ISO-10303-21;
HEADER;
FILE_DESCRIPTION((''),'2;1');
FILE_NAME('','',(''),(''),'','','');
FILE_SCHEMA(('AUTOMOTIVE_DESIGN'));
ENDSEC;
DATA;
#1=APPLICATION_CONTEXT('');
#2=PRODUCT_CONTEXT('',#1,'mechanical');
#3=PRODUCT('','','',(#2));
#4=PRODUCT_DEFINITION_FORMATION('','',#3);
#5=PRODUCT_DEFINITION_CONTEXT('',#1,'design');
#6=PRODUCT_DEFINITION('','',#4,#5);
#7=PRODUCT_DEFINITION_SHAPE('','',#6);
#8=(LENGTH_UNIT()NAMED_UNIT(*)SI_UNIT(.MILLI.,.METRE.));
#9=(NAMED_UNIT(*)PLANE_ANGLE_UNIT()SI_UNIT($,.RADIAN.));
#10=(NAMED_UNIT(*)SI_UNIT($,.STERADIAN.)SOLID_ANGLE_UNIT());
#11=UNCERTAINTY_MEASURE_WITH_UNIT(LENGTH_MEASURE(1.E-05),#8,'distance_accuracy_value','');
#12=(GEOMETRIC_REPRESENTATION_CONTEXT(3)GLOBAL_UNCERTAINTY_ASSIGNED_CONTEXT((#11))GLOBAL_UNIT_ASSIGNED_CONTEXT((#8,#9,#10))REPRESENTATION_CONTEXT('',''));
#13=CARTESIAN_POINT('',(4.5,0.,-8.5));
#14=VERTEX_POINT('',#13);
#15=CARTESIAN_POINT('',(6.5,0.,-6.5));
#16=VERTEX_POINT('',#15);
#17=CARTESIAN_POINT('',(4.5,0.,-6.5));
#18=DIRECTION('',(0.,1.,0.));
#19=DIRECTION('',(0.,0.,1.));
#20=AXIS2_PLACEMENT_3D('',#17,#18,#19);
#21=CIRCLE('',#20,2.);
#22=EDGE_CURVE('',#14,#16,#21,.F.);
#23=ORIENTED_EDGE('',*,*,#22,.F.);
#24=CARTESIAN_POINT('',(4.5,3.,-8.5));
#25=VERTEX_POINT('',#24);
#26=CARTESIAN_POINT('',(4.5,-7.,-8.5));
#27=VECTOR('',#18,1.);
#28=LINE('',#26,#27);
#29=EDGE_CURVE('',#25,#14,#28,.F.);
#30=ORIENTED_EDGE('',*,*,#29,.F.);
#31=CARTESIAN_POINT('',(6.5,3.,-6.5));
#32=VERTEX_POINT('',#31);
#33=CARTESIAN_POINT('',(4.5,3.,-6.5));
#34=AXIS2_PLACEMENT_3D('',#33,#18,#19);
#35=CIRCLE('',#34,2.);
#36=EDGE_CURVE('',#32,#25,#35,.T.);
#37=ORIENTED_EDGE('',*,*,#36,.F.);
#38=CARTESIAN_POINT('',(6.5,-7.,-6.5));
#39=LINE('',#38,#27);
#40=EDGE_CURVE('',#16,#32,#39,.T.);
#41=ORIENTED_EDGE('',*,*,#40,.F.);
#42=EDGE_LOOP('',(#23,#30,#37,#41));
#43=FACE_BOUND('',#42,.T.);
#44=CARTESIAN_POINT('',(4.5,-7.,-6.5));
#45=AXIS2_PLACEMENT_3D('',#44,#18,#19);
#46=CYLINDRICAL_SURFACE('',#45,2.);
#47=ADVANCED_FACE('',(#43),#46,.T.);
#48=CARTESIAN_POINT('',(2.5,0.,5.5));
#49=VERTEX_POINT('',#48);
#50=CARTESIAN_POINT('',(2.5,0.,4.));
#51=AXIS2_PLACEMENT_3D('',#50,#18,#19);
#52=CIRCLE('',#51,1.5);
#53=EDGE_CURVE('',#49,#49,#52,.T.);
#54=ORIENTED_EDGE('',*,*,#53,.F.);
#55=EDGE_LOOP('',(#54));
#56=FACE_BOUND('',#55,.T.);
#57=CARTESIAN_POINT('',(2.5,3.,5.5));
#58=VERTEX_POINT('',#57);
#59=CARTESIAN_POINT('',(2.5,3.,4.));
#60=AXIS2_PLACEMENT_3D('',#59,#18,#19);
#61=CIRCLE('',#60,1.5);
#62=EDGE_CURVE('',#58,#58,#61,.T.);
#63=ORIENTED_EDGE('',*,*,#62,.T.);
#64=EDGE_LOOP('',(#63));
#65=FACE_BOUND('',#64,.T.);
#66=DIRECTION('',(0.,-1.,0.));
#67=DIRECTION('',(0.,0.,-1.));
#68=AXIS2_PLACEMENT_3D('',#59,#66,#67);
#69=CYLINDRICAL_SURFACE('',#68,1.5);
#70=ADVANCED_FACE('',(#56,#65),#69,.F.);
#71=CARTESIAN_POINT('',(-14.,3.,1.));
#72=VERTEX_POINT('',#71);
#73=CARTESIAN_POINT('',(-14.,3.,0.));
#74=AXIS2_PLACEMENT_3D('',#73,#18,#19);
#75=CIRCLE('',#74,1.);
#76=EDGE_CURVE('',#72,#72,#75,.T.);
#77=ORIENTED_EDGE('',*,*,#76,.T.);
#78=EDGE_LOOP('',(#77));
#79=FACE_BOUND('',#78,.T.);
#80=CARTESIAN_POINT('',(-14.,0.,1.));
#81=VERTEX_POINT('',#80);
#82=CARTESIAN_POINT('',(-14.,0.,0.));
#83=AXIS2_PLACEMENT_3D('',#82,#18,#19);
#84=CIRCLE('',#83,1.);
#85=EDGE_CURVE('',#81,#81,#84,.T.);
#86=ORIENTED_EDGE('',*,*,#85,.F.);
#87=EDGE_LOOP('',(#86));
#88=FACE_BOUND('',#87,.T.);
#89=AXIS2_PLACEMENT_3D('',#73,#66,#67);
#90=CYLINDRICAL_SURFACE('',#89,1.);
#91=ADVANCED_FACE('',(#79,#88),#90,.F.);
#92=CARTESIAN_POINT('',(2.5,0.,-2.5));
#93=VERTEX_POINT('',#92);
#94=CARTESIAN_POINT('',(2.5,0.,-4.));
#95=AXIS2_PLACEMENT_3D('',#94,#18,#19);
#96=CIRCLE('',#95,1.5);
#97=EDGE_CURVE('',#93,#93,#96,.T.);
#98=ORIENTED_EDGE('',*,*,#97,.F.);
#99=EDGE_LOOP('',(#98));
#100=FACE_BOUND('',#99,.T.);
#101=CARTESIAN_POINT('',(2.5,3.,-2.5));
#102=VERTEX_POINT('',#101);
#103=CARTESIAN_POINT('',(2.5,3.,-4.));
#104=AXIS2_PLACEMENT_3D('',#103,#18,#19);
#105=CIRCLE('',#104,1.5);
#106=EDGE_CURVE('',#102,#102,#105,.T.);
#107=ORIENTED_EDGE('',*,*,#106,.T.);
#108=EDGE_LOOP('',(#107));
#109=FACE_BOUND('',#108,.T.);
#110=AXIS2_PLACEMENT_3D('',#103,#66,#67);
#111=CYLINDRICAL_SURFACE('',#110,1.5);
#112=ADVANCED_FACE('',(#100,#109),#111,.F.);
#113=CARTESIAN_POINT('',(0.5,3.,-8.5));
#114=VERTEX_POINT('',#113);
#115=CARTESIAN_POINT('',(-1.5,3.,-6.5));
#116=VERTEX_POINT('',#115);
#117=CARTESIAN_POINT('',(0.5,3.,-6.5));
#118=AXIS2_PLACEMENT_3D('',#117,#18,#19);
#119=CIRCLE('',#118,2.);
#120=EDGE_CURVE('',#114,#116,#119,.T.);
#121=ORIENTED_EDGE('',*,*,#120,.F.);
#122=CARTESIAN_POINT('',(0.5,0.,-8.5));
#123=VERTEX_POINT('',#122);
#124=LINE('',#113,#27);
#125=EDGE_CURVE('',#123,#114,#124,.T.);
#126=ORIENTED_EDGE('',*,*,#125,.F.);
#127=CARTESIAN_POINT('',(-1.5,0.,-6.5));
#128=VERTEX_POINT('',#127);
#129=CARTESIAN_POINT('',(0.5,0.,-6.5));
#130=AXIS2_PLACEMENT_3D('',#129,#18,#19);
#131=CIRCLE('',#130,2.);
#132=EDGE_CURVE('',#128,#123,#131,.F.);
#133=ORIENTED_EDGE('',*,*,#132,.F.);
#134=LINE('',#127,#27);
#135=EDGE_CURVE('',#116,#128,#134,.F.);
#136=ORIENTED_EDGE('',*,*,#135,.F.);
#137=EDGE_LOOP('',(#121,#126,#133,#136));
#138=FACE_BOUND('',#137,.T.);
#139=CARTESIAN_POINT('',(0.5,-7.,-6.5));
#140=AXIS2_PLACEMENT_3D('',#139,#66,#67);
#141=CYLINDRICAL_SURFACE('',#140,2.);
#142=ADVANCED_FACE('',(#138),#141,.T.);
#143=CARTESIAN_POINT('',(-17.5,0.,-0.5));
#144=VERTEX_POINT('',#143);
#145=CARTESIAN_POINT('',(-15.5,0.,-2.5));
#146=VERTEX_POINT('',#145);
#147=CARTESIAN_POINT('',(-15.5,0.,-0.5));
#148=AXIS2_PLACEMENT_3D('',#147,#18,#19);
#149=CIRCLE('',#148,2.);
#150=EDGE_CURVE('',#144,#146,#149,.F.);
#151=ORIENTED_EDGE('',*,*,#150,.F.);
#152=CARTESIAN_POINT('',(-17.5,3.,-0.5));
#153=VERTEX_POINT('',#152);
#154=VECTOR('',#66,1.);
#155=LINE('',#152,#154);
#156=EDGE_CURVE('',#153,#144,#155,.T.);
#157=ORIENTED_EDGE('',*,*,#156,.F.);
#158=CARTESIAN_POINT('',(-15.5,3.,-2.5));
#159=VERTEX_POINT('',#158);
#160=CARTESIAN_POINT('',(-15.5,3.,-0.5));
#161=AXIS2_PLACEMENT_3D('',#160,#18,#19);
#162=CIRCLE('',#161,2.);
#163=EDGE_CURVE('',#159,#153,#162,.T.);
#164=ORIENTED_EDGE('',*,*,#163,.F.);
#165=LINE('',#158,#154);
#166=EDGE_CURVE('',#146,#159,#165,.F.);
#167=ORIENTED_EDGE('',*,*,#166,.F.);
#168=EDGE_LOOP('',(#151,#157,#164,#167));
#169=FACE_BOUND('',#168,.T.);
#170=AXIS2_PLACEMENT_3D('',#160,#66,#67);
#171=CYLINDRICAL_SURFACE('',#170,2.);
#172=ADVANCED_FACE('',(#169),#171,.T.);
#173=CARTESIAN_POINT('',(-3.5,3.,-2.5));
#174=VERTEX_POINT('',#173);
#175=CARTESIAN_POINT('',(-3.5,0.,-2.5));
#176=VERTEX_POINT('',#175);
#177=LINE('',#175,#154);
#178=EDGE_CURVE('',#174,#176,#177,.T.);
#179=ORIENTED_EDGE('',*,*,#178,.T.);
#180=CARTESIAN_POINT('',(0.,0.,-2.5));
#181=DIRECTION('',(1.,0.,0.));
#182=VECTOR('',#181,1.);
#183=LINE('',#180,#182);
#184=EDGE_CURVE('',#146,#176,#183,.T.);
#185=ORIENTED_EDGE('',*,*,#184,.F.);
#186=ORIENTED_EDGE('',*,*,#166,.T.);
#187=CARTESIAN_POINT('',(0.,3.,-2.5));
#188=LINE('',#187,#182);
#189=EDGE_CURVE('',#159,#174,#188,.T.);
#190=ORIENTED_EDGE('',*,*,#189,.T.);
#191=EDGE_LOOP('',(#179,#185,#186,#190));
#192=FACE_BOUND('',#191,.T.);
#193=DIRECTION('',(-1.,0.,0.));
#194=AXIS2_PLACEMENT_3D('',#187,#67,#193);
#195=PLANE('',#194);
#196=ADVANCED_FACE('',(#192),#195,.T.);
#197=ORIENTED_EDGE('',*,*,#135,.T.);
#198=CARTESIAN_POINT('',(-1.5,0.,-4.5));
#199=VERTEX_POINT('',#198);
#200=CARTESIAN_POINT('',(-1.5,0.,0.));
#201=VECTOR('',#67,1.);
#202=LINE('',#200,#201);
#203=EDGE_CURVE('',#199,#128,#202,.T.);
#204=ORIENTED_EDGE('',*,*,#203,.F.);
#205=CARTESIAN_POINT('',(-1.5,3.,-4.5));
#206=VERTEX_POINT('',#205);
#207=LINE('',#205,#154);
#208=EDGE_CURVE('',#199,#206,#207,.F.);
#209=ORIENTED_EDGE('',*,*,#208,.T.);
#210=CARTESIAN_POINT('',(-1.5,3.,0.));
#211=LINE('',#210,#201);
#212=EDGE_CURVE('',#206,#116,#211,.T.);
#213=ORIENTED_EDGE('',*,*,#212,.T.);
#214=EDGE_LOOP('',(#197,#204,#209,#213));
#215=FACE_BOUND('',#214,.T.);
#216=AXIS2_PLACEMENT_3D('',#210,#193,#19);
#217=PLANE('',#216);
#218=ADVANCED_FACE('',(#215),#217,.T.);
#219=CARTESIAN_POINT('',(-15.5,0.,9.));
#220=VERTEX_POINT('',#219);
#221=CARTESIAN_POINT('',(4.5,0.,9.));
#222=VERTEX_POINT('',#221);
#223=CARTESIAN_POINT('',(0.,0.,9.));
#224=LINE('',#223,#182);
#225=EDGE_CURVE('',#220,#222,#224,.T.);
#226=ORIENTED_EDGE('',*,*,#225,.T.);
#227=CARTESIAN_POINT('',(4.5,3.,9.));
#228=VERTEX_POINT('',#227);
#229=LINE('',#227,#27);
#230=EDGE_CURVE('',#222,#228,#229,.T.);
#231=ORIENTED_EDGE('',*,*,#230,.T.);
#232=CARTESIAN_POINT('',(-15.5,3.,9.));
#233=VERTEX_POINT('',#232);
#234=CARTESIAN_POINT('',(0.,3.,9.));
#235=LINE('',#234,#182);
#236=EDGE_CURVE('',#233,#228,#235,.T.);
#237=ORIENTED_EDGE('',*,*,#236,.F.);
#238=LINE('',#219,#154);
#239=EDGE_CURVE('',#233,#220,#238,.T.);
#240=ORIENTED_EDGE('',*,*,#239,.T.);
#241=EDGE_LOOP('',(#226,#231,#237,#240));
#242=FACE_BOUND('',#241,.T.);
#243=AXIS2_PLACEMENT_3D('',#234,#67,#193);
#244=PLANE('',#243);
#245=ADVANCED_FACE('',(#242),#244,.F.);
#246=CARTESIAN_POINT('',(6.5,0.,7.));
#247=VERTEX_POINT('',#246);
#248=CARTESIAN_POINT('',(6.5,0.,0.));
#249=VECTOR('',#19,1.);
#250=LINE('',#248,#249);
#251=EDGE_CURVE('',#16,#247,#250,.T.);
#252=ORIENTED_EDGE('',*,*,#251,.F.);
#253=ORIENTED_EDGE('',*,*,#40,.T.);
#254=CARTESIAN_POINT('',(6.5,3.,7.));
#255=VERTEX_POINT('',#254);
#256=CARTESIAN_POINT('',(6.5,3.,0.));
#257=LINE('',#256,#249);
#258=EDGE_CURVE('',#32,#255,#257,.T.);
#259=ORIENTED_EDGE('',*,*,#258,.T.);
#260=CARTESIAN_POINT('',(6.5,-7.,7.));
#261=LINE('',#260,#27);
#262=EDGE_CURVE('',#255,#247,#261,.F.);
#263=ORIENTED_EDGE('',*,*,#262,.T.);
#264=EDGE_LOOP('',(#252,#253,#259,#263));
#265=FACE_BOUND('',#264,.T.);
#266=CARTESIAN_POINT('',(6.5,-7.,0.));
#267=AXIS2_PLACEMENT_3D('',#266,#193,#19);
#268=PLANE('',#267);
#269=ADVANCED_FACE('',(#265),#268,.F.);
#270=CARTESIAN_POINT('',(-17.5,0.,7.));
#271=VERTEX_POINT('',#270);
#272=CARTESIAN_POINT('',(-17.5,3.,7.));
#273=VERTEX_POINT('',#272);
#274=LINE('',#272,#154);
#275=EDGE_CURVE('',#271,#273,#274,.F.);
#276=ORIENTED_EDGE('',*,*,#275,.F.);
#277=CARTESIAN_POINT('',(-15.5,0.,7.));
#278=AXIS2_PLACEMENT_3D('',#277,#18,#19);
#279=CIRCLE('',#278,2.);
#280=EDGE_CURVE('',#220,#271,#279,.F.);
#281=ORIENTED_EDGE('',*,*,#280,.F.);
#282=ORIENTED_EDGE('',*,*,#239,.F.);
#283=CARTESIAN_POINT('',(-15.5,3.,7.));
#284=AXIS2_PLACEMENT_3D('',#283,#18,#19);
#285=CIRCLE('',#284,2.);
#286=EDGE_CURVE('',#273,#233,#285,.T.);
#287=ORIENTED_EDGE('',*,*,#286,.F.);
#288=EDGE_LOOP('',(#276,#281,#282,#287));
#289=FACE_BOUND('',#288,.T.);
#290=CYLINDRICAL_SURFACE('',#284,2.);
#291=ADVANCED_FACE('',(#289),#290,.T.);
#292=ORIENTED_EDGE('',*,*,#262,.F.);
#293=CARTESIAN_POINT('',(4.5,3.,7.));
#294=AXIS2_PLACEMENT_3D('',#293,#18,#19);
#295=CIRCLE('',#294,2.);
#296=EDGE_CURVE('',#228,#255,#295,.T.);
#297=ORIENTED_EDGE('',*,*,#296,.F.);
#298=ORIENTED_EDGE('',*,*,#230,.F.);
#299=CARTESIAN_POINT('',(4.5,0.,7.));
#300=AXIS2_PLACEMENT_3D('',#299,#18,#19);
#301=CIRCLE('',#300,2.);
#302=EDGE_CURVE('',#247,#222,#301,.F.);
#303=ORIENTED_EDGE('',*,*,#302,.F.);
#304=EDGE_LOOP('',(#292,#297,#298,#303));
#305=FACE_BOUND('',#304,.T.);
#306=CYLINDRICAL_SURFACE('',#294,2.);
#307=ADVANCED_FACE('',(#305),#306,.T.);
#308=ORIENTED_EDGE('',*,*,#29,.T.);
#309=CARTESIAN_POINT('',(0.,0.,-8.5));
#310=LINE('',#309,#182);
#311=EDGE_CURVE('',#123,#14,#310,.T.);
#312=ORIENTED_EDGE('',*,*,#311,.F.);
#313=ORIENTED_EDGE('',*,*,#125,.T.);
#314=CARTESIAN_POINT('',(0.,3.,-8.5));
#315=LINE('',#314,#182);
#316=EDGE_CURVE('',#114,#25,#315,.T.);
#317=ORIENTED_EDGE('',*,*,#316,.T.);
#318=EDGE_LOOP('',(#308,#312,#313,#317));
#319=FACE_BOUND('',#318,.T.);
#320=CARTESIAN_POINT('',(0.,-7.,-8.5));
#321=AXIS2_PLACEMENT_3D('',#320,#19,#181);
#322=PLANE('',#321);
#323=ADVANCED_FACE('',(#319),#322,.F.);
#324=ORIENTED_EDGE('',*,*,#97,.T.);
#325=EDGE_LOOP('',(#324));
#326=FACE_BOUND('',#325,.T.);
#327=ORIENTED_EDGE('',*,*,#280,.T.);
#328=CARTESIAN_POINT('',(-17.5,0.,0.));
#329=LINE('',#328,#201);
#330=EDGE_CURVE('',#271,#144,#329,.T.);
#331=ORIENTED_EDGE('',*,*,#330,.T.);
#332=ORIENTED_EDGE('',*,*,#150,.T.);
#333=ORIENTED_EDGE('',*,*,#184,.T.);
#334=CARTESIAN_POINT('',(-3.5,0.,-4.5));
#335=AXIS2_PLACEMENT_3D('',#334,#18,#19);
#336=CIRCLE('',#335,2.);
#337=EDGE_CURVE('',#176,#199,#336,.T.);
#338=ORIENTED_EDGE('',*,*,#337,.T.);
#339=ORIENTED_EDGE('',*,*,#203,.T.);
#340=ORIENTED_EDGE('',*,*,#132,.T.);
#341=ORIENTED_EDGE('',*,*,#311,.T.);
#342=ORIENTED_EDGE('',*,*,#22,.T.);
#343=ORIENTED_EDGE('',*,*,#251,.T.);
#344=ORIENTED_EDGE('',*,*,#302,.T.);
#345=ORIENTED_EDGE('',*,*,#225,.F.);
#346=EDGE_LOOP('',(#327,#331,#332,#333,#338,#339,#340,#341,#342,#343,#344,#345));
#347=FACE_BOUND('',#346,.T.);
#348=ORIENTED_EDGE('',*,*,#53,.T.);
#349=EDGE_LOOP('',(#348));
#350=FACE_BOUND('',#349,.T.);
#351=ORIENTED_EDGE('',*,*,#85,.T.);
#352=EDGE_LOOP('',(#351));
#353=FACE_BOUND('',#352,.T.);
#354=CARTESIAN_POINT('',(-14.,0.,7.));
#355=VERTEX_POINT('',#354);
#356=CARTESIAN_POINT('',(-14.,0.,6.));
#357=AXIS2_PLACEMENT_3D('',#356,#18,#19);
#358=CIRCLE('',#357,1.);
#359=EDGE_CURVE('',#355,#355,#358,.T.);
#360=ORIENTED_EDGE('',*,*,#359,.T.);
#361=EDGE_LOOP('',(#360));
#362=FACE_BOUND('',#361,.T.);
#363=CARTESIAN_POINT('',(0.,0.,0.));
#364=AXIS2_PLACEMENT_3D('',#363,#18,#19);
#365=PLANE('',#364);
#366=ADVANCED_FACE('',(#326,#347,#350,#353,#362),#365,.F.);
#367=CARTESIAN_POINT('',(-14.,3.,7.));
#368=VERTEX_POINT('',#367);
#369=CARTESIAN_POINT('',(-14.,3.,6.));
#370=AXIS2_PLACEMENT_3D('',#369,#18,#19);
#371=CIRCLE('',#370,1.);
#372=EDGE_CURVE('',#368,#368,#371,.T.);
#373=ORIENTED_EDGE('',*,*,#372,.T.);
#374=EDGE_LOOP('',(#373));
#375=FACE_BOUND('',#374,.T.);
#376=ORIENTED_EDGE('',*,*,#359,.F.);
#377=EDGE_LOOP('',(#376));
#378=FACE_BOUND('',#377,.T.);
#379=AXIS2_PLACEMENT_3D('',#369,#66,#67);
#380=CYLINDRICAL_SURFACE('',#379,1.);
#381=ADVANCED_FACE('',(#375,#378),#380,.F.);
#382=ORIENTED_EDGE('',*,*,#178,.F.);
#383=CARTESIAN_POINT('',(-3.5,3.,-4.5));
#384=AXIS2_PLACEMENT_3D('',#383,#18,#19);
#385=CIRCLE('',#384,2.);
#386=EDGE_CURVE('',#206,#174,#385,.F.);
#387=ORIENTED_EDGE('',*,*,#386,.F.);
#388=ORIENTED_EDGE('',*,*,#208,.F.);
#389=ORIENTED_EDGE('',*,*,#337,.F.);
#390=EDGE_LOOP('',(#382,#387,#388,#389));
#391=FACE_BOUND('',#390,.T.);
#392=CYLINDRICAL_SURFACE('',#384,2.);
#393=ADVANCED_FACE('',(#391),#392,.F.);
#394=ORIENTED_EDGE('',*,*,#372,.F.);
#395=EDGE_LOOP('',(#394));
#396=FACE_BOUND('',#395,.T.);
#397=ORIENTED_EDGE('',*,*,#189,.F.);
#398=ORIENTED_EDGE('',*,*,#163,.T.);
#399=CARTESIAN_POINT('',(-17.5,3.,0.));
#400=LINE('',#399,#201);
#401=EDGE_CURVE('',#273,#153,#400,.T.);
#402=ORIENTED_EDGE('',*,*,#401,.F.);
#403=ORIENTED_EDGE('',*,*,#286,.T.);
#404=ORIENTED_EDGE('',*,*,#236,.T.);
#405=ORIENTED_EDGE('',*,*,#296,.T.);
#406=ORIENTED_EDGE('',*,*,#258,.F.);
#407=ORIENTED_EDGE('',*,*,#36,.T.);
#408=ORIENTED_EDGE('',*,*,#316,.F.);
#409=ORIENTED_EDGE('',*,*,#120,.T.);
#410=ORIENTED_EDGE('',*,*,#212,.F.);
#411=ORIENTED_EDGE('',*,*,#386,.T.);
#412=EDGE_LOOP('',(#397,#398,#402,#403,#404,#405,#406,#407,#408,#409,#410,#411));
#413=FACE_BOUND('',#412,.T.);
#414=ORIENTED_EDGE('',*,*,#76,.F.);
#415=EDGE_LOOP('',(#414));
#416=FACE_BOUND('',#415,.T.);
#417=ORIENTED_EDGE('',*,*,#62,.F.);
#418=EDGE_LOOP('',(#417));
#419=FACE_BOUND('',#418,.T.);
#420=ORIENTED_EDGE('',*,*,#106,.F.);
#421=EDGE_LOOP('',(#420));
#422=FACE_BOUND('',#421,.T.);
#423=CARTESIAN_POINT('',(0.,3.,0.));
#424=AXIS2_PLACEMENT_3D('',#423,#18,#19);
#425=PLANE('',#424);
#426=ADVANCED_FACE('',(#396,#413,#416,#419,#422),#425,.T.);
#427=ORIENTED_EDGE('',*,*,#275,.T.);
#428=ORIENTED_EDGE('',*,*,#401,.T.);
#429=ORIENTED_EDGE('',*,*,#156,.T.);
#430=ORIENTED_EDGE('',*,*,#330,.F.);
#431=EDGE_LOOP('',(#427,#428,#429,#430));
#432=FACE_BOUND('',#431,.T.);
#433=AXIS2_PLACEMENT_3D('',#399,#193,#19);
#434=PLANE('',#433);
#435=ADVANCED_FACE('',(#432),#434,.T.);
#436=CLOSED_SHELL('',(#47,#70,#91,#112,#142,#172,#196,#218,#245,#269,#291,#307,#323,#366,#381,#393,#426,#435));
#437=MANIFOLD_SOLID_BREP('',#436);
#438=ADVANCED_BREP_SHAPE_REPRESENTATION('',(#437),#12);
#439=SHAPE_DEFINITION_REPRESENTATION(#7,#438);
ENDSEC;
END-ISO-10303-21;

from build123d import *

# Parameters (mm, degrees)
SKETCH_1_R          = 1
SKETCH_1_R_2        = 1.5
EXTRUDE_1_DEPTH     = 3
SKETCH_2_W          = 8
SKETCH_2_H          = 0.5
CUT_EXTRUDE_1_DEPTH = 10
FILLET_1_R          = 2


with BuildPart() as part:
    # 草图1 → 凸台-拉伸1 (new body)
    with BuildSketch(Plane(origin=(0, 0, 0), x_dir=(1, 0, 0), z_dir=(0, 1, 0))):
        Polygon((-17.5, 2.5), (-17.5, -9), (17.5, -9), (17.5, 9), (-1.5, 9), (-1.5, 2.5), align=None)
        with Locations(Location((-14, -6, 0), (0, 0, 270))):
            Circle(SKETCH_1_R, mode=Mode.SUBTRACT)
        with Locations(Location((2.5, -4, 0), (0, 0, 270))):
            Circle(SKETCH_1_R_2, mode=Mode.SUBTRACT)
        with Locations(Location((-14, 0, 0), (0, 0, 270))):
            Circle(SKETCH_1_R, mode=Mode.SUBTRACT)
        with Locations(Location((2.5, 4, 0), (0, 0, 270))):
            Circle(SKETCH_1_R_2, mode=Mode.SUBTRACT)
    extrude(amount=EXTRUDE_1_DEPTH)

    # 草图2 → 切除-拉伸1 (cut)
    with BuildSketch(Plane(origin=(0, 3, 0), x_dir=(1, 0, 0), z_dir=(0, 1, 0))):
        with Locations((2.5, 8.75)):
            Rectangle(SKETCH_2_W, SKETCH_2_H)
        Polygon((17.5, -9), (17.5, 9), (6.5, 9), (6.5, 8.5), (6.5, -9), align=None)
    extrude(amount=-CUT_EXTRUDE_1_DEPTH, mode=Mode.SUBTRACT)

    # 圆角1
    fillet_1_edges = [part.edges().sort_by_distance(p)[0] for p in [
        (-17.5, 1.5, 9),
        (-17.5, 1.5, -2.5),
        (-1.5, 1.5, -2.5),
        (-1.5, 1.5, -8.5),
        (6.5, 1.5, 9),
        (6.5, 1.5, -8.5),
    ]]
    fillet(fillet_1_edges, radius=FILLET_1_R)


solid = part.part
